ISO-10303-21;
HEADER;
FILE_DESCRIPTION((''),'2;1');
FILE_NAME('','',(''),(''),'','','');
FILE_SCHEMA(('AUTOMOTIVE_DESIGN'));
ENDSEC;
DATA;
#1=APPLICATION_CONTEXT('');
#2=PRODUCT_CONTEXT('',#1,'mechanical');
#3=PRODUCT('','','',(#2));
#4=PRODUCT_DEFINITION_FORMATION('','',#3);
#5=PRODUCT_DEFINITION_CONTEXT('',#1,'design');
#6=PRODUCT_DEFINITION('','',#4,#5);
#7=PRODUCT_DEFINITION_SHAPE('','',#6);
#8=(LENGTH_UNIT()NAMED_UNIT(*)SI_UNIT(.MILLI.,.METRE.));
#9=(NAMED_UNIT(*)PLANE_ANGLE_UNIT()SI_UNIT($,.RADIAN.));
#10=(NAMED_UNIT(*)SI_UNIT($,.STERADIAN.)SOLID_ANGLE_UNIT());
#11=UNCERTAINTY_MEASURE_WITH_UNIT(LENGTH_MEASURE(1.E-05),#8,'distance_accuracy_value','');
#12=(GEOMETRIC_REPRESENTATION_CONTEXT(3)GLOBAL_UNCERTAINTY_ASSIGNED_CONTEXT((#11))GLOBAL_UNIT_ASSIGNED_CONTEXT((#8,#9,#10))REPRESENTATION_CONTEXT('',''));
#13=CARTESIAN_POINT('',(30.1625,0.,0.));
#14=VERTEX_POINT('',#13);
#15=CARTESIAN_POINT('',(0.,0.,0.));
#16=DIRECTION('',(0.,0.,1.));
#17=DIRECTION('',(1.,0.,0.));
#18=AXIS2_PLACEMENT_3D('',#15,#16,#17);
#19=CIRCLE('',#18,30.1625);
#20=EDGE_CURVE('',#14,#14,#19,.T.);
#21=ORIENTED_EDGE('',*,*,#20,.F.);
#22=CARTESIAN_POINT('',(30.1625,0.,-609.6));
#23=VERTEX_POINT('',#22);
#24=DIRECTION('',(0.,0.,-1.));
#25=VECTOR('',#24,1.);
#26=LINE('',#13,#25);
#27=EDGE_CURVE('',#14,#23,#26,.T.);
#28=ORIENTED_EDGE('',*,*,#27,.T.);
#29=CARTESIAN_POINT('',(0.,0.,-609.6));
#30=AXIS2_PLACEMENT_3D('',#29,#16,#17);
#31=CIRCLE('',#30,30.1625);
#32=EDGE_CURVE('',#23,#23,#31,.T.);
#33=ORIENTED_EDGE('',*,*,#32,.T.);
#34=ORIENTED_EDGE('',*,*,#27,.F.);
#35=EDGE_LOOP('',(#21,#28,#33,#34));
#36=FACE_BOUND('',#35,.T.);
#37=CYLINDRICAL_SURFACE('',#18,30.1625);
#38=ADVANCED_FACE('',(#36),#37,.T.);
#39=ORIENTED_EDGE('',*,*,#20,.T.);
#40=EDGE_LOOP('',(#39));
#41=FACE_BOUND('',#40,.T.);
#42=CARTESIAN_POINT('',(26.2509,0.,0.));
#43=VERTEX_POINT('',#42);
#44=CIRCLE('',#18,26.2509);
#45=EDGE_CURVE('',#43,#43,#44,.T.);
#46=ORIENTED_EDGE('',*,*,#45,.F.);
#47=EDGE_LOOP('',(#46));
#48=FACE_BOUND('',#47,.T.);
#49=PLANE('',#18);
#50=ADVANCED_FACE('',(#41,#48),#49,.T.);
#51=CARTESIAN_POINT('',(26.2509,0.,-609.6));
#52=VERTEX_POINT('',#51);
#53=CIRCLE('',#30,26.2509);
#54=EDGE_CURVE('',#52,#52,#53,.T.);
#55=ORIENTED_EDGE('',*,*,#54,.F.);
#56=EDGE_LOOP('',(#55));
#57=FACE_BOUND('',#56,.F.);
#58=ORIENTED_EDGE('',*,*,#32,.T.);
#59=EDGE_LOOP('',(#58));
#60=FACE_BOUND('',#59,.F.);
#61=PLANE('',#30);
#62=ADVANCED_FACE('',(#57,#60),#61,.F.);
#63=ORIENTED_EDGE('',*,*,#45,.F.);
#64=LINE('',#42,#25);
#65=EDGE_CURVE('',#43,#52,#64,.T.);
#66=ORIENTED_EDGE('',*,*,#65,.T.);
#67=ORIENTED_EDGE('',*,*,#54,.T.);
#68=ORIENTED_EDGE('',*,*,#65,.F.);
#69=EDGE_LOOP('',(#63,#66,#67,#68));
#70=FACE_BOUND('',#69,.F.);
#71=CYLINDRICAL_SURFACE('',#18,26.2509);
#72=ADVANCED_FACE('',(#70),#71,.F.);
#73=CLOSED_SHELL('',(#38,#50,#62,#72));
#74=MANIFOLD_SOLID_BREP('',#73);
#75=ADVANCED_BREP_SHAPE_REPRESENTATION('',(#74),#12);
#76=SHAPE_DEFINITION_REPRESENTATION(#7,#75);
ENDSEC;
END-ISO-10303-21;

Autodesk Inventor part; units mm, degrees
ref_plane "YZ Plane" through (0, 0, 0) normal (1, 0, 0) x (0, 1, 0)
ref_plane "XZ Plane" through (0, 0, 0) normal (0, 1, 0) x (-1, 0, 0)
ref_plane "XY Plane" through (0, 0, 0) normal (0, 0, 1) x (1, 0, 0)
sketch "Sketch1" plane through (0, 0, 0) normal (0, 0, 1) x (1, 0, 0)
  circle A0 centre (0, 0) radius 30.1625
  circle A1 centre (0, 0) radius 26.2509
  dimension "d0" = 60.325
  dimension "d1" = 52.5018
extrude "Extrusion1" add sketch "Sketch1" against normal blind 609.6
equation "\"d0\" = pipeOutsideDiameter"
equation "\"d1\" = pipeInsideDiameter"
equation "\"pipeOutsideDiameter\" = 60.325"
equation "\"pipeInsideDiameter\" = 52.5018"
properties part number "2inchPvc24inchLong"
